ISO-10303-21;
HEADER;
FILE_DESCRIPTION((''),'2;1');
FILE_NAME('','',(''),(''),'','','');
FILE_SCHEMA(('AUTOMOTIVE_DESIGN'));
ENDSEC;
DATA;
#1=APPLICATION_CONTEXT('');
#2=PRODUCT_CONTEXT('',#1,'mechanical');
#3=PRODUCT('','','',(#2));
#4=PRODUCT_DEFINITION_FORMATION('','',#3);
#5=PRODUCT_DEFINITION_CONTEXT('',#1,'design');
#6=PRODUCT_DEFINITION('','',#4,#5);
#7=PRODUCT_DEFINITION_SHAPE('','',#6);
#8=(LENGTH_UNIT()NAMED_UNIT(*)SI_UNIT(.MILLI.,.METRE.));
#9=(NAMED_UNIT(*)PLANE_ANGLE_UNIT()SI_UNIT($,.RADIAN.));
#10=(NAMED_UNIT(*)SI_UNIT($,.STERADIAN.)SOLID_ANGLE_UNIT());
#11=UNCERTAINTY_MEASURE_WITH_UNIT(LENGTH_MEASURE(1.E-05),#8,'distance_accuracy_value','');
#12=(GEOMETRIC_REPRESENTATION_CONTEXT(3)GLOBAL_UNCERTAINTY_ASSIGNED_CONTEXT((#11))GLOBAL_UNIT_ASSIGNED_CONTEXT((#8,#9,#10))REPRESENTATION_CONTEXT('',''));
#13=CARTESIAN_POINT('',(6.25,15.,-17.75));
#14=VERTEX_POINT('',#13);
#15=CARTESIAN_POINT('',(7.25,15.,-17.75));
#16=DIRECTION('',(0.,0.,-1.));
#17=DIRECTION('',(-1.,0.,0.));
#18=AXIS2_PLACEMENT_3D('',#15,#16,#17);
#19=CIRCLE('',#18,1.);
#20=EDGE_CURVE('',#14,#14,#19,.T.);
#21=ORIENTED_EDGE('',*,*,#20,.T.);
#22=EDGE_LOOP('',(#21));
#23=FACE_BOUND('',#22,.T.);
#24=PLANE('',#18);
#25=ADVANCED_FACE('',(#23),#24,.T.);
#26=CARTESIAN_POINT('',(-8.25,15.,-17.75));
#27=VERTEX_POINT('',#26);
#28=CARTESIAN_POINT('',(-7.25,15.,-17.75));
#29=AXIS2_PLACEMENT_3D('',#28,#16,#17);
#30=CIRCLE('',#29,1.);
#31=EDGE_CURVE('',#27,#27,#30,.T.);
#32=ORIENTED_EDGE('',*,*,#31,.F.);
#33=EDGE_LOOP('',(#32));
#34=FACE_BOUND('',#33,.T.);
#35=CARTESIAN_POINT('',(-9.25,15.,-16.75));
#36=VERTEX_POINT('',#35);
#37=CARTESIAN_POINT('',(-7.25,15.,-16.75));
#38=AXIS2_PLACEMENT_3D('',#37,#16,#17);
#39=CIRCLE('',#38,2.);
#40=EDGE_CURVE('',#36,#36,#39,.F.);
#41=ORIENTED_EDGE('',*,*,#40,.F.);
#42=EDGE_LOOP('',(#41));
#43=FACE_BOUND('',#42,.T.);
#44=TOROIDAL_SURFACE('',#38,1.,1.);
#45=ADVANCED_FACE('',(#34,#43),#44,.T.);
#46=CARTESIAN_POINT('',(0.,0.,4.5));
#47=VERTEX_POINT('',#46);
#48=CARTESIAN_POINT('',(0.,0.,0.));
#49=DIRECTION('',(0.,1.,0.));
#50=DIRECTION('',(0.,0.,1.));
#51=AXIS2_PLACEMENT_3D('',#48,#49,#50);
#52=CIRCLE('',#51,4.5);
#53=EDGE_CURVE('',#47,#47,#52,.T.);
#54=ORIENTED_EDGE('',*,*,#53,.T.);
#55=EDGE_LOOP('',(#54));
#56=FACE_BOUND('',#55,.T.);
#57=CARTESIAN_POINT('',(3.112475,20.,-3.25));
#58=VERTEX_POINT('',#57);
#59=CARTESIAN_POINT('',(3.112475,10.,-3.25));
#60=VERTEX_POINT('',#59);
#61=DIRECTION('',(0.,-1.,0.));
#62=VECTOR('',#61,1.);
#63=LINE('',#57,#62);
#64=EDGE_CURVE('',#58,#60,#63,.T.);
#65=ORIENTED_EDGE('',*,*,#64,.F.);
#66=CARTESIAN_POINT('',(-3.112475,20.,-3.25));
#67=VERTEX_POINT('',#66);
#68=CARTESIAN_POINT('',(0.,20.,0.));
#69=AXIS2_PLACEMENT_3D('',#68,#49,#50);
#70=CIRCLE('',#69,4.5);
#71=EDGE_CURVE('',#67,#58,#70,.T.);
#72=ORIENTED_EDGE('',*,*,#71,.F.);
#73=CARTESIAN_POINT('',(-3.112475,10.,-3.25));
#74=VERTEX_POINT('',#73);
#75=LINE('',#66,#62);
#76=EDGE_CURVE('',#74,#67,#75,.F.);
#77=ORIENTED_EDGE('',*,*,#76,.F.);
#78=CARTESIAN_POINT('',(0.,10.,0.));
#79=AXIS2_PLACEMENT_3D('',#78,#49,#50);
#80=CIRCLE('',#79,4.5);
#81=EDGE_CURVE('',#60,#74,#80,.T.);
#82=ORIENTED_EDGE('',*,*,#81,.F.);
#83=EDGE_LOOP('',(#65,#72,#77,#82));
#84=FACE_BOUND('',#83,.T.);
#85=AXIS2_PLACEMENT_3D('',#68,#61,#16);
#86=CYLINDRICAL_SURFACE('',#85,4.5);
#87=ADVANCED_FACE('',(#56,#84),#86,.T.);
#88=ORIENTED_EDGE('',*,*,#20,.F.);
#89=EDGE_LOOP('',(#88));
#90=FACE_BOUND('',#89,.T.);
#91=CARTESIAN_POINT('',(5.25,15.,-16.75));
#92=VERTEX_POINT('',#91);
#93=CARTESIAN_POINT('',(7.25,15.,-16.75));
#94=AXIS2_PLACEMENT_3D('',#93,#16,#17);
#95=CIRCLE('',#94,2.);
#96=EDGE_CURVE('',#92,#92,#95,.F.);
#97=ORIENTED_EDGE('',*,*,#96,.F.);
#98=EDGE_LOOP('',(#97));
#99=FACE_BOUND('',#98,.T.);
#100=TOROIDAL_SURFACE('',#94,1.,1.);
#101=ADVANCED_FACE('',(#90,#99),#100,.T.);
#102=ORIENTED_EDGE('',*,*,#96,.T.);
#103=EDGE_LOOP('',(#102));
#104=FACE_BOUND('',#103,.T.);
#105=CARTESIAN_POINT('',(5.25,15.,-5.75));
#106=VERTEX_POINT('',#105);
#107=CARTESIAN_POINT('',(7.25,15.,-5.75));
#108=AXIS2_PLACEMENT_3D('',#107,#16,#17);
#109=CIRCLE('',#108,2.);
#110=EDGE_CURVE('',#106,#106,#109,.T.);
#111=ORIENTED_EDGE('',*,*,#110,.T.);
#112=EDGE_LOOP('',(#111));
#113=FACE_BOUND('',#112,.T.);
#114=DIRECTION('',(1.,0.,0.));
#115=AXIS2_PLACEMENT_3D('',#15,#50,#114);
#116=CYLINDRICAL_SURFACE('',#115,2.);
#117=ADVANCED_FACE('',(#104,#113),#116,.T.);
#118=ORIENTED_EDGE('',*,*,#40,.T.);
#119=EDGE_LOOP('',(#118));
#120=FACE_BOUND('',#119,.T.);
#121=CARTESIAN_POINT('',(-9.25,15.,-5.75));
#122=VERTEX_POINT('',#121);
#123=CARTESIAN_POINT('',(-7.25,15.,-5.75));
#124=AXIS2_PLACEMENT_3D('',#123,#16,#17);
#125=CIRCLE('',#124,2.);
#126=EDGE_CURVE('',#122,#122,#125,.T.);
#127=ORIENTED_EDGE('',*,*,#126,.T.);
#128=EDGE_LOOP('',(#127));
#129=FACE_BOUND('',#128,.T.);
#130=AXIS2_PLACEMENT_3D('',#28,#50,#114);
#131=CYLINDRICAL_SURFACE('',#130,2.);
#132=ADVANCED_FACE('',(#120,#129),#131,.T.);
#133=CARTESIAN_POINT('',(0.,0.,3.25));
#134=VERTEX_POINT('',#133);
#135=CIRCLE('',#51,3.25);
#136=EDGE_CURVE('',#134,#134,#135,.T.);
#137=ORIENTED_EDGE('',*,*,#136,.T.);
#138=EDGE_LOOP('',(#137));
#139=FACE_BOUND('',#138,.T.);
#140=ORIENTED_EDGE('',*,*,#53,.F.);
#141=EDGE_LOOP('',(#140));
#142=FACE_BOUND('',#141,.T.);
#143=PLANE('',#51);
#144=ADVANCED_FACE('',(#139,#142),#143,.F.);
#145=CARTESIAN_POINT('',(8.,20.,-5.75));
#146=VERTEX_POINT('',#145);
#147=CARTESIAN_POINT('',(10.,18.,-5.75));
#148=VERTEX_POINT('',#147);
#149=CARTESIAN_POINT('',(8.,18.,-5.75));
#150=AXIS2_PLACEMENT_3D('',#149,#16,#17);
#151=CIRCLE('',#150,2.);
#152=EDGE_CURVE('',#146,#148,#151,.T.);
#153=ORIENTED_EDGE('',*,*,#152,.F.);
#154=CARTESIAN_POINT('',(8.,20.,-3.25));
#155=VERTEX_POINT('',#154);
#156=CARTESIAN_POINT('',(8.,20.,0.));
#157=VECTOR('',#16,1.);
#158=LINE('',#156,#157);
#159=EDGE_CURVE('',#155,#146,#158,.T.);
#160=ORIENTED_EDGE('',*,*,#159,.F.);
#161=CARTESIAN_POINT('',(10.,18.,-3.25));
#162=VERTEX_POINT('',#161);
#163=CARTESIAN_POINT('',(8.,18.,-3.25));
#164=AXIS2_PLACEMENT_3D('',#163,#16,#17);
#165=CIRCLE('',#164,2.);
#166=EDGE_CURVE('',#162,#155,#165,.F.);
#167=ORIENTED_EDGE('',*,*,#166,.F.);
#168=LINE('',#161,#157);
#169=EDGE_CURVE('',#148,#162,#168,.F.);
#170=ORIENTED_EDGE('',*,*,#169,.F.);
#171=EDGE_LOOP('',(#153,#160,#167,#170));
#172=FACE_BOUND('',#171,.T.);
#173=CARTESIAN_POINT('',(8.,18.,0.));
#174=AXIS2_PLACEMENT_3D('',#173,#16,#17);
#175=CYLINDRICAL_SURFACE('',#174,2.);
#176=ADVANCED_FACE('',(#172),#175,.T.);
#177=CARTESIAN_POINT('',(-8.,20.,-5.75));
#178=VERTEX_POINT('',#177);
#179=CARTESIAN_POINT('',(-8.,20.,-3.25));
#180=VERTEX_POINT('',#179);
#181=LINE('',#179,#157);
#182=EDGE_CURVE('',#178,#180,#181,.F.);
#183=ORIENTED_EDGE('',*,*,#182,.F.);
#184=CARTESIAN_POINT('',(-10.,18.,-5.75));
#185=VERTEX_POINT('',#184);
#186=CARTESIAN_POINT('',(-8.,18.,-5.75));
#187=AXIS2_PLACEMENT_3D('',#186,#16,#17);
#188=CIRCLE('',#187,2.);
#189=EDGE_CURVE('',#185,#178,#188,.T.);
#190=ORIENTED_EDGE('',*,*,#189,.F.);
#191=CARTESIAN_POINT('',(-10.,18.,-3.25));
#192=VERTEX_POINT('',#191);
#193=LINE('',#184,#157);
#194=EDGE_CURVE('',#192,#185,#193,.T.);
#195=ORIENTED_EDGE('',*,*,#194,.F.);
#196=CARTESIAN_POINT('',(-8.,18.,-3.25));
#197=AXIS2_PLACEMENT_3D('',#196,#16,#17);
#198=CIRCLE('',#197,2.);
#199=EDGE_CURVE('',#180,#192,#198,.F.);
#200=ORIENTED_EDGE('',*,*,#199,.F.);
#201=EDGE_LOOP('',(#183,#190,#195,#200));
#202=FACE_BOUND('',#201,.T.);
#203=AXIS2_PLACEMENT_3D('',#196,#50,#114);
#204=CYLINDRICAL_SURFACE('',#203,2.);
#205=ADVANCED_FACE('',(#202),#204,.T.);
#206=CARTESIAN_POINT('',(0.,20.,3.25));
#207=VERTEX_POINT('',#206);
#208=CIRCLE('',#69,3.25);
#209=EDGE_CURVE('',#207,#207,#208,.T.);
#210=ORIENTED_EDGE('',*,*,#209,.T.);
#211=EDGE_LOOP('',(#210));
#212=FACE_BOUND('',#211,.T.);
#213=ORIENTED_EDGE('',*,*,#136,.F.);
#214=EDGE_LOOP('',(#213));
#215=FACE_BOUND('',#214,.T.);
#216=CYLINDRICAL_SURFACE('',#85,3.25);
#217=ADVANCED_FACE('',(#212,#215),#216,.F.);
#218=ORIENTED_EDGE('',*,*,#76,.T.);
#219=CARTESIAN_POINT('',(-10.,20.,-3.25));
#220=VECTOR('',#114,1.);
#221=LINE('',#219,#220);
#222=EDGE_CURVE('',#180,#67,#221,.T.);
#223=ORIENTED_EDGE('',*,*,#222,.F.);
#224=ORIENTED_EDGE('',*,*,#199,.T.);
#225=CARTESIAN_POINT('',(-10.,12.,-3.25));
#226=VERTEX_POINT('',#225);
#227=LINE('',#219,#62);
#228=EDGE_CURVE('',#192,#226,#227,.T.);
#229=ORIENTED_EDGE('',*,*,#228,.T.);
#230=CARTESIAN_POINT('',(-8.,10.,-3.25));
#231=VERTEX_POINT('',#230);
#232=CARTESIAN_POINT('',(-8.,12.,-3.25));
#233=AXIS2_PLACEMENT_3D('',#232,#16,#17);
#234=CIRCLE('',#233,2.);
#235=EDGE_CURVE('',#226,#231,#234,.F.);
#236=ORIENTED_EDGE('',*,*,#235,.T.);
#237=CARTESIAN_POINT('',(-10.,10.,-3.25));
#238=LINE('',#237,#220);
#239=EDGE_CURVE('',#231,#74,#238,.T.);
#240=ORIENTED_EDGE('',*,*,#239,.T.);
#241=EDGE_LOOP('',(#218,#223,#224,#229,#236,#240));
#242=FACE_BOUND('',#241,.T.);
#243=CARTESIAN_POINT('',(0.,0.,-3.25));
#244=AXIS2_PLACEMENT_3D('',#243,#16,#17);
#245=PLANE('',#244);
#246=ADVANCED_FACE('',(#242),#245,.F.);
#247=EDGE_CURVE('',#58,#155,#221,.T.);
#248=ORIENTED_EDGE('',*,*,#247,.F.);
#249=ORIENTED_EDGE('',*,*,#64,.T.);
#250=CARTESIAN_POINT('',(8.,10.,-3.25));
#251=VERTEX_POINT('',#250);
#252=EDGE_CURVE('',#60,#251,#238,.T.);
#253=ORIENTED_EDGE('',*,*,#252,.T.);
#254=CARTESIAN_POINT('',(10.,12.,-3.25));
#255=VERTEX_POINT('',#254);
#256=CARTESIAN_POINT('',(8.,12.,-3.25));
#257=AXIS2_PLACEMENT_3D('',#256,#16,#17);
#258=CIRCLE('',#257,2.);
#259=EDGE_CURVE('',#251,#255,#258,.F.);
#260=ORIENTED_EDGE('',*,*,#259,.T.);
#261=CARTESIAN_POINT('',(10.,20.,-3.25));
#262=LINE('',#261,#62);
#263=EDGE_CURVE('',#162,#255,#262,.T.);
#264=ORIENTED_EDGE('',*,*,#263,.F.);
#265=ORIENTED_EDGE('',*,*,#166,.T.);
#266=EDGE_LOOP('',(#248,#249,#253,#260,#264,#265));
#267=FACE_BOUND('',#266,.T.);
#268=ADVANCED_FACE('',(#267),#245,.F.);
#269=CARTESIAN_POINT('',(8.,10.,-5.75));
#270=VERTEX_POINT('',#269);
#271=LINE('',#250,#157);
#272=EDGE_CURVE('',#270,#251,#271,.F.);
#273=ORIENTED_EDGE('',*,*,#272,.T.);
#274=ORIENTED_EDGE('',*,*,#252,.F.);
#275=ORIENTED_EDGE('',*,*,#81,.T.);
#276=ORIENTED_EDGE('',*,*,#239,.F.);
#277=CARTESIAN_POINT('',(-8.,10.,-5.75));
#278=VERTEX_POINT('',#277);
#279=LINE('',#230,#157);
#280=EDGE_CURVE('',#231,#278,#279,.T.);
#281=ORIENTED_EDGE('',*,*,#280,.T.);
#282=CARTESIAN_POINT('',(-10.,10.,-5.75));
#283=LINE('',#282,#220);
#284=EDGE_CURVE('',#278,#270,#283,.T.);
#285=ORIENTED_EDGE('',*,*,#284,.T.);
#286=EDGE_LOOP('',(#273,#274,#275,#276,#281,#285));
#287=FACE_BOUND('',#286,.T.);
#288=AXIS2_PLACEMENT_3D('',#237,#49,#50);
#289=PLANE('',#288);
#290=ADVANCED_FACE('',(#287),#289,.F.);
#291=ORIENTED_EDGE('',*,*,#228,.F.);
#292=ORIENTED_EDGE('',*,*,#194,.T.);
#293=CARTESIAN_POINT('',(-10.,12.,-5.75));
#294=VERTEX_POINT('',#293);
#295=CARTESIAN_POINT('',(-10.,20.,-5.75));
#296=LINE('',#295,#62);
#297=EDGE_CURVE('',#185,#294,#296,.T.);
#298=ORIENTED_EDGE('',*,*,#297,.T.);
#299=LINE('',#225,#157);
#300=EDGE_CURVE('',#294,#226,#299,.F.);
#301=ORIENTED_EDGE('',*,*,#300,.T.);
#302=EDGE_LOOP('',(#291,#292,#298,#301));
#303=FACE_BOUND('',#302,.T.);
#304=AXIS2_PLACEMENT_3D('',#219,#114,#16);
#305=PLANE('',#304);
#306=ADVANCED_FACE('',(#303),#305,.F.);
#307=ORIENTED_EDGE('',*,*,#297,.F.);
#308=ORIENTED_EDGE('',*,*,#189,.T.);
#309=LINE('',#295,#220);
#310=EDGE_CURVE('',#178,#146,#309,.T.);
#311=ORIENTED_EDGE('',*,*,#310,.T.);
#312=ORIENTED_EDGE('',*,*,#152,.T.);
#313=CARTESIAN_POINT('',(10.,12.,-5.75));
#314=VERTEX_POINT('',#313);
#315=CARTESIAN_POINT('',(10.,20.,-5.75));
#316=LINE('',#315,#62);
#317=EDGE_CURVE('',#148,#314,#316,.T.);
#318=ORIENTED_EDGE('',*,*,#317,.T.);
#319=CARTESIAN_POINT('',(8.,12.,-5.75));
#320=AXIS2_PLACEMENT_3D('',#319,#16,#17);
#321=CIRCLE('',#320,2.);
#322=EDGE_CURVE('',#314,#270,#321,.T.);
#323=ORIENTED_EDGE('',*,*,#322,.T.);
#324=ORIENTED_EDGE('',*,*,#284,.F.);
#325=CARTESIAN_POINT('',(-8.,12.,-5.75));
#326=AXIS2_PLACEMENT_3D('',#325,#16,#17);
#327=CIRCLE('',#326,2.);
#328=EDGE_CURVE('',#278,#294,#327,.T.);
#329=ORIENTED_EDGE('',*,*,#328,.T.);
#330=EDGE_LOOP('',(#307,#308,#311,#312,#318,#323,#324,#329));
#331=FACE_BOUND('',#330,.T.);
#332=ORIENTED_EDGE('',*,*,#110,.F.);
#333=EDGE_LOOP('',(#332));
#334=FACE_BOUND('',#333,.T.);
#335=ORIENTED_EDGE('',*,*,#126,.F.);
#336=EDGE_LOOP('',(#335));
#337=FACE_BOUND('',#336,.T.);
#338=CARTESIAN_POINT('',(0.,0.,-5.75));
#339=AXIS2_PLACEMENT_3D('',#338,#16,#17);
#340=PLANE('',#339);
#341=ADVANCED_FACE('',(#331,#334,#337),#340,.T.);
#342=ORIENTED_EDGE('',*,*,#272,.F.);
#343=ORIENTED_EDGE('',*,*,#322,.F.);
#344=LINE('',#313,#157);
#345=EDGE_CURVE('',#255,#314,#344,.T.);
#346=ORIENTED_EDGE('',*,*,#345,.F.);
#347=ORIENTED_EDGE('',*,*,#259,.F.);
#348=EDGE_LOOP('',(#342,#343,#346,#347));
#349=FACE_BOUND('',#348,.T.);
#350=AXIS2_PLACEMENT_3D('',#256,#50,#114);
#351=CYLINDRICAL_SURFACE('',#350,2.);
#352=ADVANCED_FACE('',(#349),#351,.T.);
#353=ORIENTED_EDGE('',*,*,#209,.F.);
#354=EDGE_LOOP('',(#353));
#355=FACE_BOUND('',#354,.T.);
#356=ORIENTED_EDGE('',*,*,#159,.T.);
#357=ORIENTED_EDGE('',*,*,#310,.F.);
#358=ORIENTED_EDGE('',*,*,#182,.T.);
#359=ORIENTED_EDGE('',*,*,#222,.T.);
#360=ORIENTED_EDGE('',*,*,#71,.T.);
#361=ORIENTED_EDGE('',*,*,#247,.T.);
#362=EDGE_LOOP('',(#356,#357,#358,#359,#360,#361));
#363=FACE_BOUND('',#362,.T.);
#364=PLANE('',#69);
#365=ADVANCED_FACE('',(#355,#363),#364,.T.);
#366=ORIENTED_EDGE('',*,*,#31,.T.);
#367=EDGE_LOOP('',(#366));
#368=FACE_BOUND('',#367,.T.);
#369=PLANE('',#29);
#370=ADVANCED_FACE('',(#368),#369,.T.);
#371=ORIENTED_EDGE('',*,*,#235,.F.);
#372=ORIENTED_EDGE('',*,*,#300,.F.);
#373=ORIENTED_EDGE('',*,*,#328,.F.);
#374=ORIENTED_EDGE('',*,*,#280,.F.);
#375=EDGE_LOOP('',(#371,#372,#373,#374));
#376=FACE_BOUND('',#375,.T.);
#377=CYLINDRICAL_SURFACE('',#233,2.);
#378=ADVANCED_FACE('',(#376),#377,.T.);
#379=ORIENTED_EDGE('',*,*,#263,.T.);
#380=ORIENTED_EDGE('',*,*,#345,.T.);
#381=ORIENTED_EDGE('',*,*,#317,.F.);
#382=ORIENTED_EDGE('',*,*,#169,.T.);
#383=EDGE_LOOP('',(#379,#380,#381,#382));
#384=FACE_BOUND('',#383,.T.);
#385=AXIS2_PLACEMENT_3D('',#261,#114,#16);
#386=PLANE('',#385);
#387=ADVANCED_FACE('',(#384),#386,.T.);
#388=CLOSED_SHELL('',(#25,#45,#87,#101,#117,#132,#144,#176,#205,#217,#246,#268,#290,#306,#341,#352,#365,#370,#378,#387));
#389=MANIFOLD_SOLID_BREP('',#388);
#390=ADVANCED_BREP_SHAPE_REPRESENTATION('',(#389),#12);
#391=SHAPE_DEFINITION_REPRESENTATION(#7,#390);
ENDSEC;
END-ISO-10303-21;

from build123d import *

# Parameters (mm, degrees)
SKETCH1_R           = 4.5
SKETCH1_R_2         = 3.25
BOSS_EXTRUDE1_DEPTH = 20
SKETCH2_W           = 20
SKETCH2_H           = 10
BOSS_EXTRUDE2_DEPTH = 1.25
FILLET1_R           = 2
SKETCH3_R           = 2
BOSS_EXTRUDE3_DEPTH = 12
LPATTERN3_COUNT     = 2
LPATTERN3_PITCH     = 14.5
FILLET2_R           = 1


with BuildPart() as part:
    # Sketch1 → Boss-Extrude1 (new body)
    with BuildSketch(Plane(origin=(0, 0, 0), x_dir=(1, 0, 0), z_dir=(0, 1, 0))):
        Circle(SKETCH1_R)
        Circle(SKETCH1_R_2, mode=Mode.SUBTRACT)
    extrude(amount=BOSS_EXTRUDE1_DEPTH)

    # Sketch2 → Boss-Extrude2 (add, symmetric)
    with BuildSketch(Plane.XY.offset(-4.5)):
        with Locations((0, 15)):
            Rectangle(SKETCH2_W, SKETCH2_H)
    extrude(amount=BOSS_EXTRUDE2_DEPTH, both=True)

    # Fillet1
    fillet1_edges = [part.edges().sort_by_distance(p)[0] for p in [
        (-10, 10, -4.5),
        (-10, 20, -4.5),
        (10, 10, -4.5),
        (10, 20, -4.5),
    ]]
    fillet(fillet1_edges, radius=FILLET1_R)

    # Sketch3 → Boss-Extrude3 (add)
    with BuildSketch(Plane(origin=(0, 0, -5.75), x_dir=(-1, 0, 0), z_dir=(0, 0, -1))):
        with Locations((-7.25, 15)):
            Circle(SKETCH3_R)
    boss_extrude3 = extrude(amount=BOSS_EXTRUDE3_DEPTH)

    # LPattern3: Boss-Extrude3 ×2
    with Locations(*[(-i * LPATTERN3_PITCH, 0, 0) for i in range(1, LPATTERN3_COUNT)]):
        add(boss_extrude3)

    # Fillet2
    fillet2_edges = [part.edges().sort_by_distance(p)[0] for p in [
        (-5.25, 15, -17.75),
        (9.25, 15, -17.75),
    ]]
    fillet(fillet2_edges, radius=FILLET2_R)


solid = part.part
